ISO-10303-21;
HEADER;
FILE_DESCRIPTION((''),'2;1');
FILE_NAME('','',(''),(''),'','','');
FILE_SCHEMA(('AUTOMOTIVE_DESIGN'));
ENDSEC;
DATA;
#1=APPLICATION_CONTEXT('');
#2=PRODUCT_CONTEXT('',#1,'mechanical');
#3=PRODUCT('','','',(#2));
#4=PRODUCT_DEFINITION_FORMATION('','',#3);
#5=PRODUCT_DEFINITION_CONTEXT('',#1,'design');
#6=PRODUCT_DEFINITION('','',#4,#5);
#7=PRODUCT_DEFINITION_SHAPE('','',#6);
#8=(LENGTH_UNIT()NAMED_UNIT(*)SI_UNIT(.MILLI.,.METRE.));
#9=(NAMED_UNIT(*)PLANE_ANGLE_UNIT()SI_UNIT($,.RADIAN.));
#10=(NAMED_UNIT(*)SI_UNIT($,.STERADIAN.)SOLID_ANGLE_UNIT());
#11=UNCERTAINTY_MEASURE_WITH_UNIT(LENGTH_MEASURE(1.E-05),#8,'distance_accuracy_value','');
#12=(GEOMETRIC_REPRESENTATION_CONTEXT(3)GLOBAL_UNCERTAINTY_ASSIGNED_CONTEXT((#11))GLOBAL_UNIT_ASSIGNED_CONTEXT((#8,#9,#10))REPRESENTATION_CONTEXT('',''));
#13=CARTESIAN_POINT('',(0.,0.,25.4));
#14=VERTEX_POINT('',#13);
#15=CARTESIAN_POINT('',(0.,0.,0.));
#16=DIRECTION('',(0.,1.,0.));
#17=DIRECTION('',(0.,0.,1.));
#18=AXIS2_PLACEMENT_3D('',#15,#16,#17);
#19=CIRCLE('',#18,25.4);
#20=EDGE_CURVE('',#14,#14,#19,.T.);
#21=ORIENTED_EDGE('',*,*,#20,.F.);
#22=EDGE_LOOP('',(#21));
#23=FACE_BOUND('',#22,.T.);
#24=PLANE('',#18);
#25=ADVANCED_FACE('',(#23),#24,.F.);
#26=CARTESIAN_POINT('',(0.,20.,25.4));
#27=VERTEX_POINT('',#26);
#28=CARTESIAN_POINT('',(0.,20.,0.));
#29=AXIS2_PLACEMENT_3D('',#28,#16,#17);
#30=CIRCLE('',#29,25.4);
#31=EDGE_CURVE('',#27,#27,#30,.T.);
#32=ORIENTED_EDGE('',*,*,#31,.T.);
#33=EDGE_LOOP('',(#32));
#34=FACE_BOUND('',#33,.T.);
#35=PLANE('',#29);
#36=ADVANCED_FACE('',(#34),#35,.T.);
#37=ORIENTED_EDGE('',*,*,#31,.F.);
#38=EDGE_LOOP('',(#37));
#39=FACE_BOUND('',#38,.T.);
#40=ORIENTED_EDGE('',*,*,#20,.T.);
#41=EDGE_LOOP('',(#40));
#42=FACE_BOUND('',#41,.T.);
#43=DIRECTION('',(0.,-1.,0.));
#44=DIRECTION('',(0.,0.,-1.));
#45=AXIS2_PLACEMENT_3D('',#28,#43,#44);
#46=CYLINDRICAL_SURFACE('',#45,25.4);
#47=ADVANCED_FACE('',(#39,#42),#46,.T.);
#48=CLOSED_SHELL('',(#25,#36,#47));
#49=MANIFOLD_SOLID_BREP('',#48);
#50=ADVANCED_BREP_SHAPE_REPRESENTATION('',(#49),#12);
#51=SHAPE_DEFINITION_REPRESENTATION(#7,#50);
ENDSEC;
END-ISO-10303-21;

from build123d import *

# Parameters (mm, degrees)
SKETCH_1_R      = 25.4
EXTRUDE_1_DEPTH = 20


with BuildPart() as part:
    # ｽｹｯﾁ1 → ﾎﾞｽ - 押し出し1 (new body)
    with BuildSketch(Plane(origin=(0, 0, 0), x_dir=(1, 0, 0), z_dir=(0, 1, 0))):
        Circle(SKETCH_1_R)
    extrude(amount=EXTRUDE_1_DEPTH)


solid = part.part
